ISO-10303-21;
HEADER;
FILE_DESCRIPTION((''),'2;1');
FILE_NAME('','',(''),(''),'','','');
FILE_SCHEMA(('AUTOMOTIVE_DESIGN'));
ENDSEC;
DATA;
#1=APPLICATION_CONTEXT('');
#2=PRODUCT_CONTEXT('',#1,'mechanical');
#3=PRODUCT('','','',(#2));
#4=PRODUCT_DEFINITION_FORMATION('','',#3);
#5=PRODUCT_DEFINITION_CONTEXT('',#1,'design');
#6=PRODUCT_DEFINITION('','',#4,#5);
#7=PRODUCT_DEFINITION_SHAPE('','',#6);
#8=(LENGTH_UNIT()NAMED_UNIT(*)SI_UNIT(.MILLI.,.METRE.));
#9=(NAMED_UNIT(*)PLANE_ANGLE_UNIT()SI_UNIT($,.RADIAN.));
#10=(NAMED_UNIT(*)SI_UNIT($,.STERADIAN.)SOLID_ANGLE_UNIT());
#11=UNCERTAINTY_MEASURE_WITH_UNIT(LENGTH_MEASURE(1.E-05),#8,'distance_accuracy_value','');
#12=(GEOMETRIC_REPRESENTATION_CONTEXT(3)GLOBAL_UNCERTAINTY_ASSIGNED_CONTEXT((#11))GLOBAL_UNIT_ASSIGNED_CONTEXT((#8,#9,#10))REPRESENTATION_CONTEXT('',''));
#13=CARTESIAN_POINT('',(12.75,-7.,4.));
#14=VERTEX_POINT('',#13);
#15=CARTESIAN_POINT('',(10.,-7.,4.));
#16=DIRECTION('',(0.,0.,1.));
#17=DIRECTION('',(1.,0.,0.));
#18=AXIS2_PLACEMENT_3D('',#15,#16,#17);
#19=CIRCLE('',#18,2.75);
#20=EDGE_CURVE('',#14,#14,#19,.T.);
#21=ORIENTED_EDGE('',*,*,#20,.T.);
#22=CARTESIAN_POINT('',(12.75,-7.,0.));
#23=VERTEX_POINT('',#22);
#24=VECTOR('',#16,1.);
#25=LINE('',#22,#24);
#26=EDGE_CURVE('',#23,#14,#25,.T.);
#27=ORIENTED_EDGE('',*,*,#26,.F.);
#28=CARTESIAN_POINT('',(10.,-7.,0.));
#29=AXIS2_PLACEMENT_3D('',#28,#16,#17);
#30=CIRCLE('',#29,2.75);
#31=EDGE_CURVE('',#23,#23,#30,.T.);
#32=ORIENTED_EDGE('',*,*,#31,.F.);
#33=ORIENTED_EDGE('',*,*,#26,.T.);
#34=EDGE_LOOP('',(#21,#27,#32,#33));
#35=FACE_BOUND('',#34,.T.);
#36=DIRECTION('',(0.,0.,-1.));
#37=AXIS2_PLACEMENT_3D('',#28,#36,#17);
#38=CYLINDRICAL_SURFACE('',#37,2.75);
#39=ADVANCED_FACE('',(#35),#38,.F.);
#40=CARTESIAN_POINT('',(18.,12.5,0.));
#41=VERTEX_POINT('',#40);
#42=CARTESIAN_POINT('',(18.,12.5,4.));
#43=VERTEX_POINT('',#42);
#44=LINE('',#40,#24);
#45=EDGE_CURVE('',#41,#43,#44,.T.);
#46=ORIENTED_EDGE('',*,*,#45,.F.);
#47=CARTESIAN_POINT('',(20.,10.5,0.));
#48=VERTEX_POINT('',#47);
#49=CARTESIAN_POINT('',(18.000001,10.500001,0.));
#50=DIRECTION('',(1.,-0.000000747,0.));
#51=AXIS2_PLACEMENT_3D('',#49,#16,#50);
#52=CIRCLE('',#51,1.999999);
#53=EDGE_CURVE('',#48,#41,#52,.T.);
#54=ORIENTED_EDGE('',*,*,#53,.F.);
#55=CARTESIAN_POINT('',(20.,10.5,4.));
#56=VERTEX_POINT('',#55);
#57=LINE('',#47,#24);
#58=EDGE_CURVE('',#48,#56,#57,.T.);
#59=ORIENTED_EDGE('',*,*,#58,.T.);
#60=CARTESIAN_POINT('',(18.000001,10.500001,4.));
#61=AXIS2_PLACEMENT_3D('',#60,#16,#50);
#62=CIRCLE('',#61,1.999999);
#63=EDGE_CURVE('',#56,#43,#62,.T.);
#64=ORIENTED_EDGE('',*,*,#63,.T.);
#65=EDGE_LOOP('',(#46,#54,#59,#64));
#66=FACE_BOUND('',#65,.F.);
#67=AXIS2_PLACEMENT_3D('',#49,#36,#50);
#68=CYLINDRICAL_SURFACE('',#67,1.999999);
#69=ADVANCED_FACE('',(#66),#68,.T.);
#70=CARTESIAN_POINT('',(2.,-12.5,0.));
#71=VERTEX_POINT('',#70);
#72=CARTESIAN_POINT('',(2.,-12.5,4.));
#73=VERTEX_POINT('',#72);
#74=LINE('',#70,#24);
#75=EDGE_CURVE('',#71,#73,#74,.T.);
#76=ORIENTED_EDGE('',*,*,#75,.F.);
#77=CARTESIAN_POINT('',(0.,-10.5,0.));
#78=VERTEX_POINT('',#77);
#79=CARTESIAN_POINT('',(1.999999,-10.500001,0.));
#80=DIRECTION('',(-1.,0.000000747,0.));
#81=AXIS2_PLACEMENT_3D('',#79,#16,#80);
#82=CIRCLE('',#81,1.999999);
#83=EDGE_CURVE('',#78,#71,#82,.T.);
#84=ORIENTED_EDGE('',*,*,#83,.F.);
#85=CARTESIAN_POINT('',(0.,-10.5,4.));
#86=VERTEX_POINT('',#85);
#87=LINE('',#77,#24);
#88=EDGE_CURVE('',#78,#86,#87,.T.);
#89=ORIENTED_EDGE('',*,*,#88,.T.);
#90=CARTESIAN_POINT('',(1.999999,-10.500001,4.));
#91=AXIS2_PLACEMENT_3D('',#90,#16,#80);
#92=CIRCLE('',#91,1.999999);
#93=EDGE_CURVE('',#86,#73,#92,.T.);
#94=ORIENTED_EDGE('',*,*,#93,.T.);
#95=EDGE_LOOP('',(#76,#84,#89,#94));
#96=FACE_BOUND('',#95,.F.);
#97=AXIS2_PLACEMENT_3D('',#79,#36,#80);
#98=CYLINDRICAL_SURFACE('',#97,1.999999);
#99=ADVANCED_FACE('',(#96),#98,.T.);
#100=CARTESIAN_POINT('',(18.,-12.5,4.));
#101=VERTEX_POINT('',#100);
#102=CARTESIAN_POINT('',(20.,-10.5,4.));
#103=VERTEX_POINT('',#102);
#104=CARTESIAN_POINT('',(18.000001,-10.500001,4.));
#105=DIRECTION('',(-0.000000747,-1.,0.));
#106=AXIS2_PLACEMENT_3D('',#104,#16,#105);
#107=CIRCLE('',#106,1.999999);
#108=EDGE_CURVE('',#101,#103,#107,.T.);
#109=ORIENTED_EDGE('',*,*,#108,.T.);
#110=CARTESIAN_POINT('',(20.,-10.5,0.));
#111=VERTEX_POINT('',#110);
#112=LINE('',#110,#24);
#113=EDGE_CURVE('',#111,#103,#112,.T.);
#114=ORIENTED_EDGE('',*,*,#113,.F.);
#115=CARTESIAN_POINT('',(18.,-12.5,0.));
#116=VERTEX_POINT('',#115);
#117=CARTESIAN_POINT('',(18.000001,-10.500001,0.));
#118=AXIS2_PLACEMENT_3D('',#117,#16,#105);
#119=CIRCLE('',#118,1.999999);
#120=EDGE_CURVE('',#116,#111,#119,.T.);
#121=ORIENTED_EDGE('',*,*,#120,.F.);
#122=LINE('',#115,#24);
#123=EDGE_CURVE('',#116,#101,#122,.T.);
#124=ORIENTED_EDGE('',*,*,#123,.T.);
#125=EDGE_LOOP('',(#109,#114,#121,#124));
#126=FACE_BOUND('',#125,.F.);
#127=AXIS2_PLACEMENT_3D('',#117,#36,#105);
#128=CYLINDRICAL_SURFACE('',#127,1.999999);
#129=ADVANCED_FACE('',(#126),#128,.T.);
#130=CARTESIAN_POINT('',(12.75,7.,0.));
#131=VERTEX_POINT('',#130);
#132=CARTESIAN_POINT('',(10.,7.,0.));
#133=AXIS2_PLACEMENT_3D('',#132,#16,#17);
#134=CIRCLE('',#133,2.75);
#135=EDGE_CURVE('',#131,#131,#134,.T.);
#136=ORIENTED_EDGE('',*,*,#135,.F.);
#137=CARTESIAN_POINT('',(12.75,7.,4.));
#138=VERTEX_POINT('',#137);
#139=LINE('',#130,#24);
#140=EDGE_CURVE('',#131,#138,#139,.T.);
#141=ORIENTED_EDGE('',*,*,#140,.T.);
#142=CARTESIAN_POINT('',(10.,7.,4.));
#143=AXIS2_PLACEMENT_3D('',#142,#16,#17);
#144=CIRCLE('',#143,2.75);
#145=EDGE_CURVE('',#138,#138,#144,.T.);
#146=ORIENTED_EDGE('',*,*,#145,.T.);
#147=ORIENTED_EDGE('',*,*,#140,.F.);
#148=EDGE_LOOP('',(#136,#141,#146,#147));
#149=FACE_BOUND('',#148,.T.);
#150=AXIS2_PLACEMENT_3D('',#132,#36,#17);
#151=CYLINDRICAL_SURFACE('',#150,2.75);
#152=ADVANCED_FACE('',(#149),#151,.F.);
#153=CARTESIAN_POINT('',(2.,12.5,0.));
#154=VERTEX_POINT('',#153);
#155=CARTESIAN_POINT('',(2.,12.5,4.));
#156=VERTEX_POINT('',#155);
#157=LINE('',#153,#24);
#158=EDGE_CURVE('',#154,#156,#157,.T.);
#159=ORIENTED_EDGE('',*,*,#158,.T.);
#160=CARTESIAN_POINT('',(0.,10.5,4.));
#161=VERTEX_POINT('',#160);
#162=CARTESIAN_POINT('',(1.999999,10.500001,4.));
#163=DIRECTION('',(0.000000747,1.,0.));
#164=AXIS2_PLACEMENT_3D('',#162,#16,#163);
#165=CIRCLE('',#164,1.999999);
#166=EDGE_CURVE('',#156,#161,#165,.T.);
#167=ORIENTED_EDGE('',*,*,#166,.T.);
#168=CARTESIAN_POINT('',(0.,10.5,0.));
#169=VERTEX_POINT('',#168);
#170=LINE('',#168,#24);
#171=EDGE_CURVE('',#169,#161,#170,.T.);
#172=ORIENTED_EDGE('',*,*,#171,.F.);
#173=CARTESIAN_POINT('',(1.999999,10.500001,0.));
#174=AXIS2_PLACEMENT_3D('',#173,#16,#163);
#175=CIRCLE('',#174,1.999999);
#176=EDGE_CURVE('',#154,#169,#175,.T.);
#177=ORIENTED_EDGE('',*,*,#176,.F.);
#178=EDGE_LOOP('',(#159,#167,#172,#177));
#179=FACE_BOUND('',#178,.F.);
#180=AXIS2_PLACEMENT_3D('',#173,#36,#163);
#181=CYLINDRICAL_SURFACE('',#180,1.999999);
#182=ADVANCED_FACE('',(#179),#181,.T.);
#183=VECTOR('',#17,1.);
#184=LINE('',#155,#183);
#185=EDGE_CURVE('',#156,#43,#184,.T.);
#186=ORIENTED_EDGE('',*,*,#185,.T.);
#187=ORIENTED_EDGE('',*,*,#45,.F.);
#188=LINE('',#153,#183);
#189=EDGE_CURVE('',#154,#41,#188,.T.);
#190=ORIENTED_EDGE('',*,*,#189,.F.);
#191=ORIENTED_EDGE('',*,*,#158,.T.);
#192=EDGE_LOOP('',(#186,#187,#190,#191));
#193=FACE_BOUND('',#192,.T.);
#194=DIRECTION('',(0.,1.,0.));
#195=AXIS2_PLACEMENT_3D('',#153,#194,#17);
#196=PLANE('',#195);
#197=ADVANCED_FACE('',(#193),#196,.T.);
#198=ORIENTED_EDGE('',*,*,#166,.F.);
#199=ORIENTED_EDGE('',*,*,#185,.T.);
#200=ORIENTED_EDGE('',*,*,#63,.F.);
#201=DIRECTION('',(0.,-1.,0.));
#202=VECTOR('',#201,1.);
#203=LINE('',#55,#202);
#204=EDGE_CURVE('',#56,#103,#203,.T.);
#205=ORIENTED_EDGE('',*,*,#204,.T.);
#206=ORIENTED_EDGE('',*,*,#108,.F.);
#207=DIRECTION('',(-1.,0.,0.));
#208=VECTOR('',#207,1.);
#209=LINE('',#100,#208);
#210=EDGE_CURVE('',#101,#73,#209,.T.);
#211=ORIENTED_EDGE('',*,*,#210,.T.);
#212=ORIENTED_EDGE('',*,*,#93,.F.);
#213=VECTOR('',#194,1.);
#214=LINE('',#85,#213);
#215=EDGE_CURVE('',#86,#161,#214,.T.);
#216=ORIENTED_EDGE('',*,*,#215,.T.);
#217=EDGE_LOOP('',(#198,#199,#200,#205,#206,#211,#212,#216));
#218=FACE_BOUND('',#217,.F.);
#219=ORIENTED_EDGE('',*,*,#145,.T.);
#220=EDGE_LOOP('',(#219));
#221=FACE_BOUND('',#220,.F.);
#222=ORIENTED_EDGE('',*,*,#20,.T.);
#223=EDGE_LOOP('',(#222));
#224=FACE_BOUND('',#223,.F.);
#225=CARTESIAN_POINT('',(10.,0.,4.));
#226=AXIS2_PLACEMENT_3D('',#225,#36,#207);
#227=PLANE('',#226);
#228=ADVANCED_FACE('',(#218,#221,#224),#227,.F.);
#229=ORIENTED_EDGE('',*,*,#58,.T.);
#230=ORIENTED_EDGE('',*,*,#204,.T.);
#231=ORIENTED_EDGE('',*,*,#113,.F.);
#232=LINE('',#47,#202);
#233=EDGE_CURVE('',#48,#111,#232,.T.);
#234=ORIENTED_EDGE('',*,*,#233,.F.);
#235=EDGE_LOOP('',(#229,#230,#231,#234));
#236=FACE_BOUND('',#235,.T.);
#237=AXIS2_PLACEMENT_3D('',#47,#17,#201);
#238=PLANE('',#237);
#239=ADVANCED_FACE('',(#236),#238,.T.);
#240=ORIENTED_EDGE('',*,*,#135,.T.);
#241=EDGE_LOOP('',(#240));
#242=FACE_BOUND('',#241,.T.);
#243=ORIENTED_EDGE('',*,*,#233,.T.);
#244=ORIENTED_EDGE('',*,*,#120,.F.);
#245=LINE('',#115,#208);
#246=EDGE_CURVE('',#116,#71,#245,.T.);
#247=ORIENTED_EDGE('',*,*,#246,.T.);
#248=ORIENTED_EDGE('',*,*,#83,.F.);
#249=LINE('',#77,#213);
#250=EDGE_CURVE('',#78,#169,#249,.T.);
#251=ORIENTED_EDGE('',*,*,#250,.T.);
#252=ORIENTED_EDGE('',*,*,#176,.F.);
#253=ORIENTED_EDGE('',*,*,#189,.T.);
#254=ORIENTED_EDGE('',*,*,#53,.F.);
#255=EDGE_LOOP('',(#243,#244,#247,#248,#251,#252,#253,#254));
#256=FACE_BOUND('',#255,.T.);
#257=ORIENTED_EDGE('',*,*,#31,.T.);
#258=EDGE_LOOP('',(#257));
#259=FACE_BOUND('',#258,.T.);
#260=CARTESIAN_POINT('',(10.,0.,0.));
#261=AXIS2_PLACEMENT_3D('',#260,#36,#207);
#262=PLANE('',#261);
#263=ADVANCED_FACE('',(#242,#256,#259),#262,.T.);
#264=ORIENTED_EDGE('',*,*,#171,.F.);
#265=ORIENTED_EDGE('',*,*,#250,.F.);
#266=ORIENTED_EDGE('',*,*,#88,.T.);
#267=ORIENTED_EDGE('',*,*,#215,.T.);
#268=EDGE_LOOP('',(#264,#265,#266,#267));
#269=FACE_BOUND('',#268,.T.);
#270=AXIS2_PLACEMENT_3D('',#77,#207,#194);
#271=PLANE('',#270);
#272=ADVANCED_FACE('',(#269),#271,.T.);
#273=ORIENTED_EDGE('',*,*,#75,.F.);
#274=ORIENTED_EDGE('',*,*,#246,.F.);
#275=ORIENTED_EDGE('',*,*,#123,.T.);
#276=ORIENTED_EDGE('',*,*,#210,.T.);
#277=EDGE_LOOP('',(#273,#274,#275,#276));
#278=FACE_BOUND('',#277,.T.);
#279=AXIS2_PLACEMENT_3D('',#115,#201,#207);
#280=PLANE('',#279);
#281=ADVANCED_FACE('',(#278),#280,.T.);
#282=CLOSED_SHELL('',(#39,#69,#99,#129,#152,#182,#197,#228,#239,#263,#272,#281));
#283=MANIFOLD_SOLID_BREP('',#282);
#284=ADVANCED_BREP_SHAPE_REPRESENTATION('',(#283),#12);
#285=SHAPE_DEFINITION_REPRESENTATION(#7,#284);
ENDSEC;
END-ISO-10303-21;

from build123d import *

# Parameters (mm, degrees)
SKETCH_R  = 2.75
PAD_DEPTH = 4


with BuildPart() as part:
    # Sketch → Pad (new body)
    with BuildSketch(Plane.XY):
        with BuildLine():
            Line((2, 12.5), (18, 12.5))
            ThreePointArc((20, 10.5), (19.414214, 11.914214), (18, 12.5))
            Line((20, 10.5), (20, -10.5))
            ThreePointArc((18, -12.5), (19.414214, -11.914214), (20, -10.5))
            Line((18, -12.5), (2, -12.5))
            ThreePointArc((0, -10.5), (0.585786, -11.914214), (2, -12.5))
            Line((0, -10.5), (0, 10.5))
            ThreePointArc((2, 12.5), (0.585786, 11.914214), (0, 10.5))
        make_face()
        with Locations((10, -7)):
            Circle(SKETCH_R, mode=Mode.SUBTRACT)
        with Locations((10, 7)):
            Circle(SKETCH_R, mode=Mode.SUBTRACT)
    extrude(amount=PAD_DEPTH)


solid = part.part
